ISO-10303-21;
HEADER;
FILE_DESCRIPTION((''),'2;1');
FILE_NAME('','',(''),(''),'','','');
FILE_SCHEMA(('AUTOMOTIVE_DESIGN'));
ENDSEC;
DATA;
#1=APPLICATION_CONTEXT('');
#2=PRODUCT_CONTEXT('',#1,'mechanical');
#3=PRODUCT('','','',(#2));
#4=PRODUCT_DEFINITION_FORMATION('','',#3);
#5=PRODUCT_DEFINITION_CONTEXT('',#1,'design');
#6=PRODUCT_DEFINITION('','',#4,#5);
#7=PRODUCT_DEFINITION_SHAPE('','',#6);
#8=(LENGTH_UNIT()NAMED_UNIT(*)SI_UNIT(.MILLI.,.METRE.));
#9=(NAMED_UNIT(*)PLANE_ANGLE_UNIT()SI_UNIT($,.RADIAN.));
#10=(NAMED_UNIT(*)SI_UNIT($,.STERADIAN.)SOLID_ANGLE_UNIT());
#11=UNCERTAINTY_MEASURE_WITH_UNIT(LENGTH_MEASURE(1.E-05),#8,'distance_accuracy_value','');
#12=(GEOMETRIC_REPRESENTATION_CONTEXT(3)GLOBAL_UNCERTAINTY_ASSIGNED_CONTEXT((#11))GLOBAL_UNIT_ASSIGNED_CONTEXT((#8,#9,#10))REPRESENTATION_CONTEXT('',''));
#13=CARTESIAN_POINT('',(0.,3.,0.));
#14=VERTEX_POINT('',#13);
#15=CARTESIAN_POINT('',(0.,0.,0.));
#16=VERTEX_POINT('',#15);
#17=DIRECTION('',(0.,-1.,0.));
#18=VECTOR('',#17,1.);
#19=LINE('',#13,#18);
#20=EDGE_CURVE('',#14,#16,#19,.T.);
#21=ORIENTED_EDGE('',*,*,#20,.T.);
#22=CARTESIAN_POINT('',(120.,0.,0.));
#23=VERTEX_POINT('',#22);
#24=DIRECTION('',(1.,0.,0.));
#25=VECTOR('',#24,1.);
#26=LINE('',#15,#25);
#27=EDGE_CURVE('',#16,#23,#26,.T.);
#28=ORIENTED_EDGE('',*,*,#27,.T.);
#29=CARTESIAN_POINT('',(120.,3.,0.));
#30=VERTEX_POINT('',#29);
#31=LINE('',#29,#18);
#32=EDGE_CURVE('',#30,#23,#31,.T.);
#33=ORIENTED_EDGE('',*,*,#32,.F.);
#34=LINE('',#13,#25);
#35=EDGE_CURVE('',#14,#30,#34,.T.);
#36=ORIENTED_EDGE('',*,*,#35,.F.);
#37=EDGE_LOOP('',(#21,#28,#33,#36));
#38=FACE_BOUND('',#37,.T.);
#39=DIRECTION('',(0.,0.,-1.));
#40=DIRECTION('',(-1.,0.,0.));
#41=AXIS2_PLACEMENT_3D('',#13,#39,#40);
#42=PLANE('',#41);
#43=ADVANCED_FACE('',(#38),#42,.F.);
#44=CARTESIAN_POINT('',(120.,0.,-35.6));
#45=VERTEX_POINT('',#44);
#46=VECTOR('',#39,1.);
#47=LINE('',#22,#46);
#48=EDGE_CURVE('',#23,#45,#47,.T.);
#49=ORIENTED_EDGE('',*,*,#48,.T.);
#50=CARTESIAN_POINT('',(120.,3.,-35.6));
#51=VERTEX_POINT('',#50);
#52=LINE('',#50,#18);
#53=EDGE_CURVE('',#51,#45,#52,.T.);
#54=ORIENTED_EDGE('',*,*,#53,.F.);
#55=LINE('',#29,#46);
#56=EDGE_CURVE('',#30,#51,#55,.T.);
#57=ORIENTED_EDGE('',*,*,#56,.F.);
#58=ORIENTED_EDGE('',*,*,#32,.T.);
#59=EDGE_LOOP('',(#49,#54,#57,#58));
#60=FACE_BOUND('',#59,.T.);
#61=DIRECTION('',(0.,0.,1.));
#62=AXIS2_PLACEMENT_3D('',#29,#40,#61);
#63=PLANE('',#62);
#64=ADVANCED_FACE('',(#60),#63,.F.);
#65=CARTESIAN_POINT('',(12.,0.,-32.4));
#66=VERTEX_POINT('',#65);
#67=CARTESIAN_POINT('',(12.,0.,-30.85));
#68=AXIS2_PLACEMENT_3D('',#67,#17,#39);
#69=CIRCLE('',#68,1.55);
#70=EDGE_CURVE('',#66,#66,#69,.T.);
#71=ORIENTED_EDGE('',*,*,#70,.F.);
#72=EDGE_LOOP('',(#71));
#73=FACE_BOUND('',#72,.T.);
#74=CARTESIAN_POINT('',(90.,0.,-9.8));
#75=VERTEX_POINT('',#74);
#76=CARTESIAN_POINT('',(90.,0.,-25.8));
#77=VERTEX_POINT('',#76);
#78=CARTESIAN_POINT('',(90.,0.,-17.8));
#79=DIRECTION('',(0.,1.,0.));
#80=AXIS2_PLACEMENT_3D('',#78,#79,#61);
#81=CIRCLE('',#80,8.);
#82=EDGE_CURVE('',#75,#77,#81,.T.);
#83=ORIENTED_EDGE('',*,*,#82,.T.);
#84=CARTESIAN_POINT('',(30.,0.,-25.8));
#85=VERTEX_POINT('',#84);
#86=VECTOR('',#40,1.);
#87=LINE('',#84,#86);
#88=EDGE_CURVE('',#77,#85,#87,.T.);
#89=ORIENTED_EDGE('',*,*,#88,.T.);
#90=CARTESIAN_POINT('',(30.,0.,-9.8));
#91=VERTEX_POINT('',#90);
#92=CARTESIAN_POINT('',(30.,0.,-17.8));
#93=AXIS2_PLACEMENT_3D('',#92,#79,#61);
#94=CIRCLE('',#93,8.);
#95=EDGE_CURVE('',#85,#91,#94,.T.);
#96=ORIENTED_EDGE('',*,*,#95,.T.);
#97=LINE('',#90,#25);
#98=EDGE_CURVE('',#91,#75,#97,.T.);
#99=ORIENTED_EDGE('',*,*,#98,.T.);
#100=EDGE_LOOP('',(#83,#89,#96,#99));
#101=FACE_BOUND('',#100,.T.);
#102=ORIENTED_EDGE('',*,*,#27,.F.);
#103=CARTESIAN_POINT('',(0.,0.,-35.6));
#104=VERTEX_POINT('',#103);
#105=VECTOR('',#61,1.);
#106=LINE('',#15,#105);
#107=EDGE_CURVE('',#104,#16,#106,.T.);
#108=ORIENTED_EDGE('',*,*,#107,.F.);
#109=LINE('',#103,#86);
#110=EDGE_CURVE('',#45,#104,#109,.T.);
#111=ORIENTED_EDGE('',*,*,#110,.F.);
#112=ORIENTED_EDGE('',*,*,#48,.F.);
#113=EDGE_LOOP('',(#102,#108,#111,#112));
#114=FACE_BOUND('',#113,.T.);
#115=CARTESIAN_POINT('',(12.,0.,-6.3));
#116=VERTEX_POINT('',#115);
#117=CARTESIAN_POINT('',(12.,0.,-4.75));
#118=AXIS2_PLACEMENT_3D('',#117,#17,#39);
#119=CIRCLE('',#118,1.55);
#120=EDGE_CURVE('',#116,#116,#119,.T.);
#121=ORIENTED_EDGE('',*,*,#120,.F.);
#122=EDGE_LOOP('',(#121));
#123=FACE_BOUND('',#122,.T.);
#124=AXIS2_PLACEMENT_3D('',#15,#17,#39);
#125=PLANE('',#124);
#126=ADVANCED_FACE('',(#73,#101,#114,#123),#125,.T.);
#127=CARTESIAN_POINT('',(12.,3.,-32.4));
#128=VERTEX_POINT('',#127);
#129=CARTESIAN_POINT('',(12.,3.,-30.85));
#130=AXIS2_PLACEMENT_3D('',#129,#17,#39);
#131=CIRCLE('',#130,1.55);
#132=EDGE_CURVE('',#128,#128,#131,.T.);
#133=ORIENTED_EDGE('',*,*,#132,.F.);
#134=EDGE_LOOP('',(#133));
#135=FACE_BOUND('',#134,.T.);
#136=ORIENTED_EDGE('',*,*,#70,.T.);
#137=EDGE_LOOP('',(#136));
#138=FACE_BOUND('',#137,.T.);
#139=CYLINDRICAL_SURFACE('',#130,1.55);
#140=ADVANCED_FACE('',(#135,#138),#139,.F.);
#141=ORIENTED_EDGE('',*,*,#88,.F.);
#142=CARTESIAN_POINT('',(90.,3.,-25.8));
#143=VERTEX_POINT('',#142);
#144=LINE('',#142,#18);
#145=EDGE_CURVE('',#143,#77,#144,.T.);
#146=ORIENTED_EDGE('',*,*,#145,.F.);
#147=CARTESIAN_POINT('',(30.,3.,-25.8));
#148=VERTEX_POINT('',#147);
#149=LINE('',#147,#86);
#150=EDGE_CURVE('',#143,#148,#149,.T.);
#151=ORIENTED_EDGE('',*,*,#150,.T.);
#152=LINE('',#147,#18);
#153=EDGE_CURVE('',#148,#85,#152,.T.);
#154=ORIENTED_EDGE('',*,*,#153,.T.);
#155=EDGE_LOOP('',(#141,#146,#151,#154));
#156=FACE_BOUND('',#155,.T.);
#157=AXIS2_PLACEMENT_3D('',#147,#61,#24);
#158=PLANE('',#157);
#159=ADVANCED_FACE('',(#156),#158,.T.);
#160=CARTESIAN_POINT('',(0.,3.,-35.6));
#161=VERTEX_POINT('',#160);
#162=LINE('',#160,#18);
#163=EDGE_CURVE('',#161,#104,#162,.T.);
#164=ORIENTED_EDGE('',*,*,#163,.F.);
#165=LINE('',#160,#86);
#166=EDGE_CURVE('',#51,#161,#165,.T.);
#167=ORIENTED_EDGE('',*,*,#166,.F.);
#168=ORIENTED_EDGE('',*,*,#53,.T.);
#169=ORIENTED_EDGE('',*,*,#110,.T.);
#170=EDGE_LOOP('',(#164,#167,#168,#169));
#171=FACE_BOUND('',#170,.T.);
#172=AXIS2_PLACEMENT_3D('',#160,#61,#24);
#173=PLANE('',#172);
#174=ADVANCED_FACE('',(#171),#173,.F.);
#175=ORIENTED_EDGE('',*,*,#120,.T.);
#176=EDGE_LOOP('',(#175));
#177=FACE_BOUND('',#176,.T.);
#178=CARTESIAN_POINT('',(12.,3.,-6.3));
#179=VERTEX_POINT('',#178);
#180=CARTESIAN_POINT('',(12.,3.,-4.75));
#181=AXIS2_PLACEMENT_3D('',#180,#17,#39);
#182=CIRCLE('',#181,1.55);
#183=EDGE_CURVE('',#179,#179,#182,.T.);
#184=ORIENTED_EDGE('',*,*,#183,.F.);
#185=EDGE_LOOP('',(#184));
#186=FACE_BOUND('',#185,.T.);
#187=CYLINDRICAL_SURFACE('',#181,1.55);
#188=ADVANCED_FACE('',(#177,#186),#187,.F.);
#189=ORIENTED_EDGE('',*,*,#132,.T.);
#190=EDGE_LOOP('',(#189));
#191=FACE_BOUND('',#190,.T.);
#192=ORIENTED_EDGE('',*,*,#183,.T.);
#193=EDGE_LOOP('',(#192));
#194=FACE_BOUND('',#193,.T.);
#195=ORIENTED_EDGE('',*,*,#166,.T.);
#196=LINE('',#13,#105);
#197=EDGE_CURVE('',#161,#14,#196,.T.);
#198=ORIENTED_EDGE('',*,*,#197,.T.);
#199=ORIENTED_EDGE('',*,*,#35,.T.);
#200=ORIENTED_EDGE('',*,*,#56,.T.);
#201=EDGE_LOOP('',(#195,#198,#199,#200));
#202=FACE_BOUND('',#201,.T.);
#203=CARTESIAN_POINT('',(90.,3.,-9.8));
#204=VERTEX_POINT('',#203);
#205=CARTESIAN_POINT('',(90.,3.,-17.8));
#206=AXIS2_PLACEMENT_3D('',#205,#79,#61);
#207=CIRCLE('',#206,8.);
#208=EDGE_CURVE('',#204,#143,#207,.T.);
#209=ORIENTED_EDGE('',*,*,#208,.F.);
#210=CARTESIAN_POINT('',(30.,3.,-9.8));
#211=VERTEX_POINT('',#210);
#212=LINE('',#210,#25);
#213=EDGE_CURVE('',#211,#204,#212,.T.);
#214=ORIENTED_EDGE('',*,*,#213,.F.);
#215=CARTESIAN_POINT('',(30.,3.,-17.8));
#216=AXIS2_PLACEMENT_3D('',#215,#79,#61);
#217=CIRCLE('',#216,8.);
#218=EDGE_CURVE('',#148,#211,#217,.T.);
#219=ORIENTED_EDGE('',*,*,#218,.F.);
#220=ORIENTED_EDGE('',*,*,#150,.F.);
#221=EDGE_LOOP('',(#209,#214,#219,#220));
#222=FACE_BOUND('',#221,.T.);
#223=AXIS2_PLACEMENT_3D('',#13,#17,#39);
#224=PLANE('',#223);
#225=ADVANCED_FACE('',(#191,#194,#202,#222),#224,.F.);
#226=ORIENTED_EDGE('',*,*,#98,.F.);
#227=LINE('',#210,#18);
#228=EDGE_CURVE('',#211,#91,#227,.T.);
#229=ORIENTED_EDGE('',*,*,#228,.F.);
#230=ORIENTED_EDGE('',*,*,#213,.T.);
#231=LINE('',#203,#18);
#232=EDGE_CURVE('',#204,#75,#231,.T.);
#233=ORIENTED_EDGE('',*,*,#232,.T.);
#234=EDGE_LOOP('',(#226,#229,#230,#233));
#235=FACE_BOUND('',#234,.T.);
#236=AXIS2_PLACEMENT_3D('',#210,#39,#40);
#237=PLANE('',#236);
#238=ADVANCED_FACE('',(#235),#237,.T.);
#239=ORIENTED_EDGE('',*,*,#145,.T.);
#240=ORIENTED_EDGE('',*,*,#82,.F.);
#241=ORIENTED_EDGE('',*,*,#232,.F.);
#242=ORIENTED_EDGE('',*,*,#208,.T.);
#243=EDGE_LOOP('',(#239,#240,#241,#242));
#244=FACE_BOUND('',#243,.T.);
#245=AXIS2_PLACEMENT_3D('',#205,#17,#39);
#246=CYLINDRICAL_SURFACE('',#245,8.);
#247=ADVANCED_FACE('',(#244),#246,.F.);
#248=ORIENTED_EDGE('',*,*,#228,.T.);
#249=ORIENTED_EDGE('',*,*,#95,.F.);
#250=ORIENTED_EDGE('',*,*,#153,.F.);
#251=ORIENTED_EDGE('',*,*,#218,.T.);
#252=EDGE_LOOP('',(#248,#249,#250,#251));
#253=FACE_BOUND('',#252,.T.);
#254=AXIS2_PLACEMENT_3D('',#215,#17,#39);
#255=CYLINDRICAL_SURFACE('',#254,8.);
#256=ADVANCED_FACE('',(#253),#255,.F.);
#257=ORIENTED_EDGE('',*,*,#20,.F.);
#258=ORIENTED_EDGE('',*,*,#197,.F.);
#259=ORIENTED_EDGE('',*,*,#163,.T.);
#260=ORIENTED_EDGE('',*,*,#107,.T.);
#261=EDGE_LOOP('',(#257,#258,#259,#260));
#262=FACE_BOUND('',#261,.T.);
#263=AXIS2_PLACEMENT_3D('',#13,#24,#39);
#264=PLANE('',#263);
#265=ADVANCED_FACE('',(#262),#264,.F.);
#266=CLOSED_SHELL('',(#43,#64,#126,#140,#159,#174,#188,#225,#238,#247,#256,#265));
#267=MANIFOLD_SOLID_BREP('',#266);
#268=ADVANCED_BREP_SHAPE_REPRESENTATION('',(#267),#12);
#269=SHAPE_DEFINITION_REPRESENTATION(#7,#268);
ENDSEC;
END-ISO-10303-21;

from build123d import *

# Parameters (mm, degrees)
SKETCH_1_W          = 120
SKETCH_1_H          = 35.6
EXTRUDE_1_DEPTH     = 3
SKETCH_2_R          = 1.55
CUT_EXTRUDE_1_DEPTH = 3


with BuildPart() as part:
    # 草图1 → 凸台-拉伸1 (new body)
    with BuildSketch(Plane(origin=(0, 0, 0), x_dir=(1, 0, 0), z_dir=(0, 1, 0))):
        with Locations((60, 17.8)):
            Rectangle(SKETCH_1_W, SKETCH_1_H)
        with BuildLine():
            Line((30, 25.8), (90, 25.8))
            ThreePointArc((90, 25.8), (98, 17.8), (90, 9.8))
            Line((90, 9.8), (30, 9.8))
            ThreePointArc((30, 9.8), (22, 17.8), (30, 25.8))
        make_face(mode=Mode.SUBTRACT)
    extrude(amount=EXTRUDE_1_DEPTH)

    # 草图2 → 切除-拉伸1 (cut)
    with BuildSketch(Plane.XZ):
        with Locations((138, -4.75)):
            Circle(SKETCH_2_R)
        with Locations((138, -30.85)):
            Circle(SKETCH_2_R)
        with Locations(Location((12, -30.85, 0), (0, 0, 270))):
            Circle(SKETCH_2_R)
        with Locations(Location((12, -4.75, 0), (0, 0, 270))):
            Circle(SKETCH_2_R)
    extrude(amount=-CUT_EXTRUDE_1_DEPTH, mode=Mode.SUBTRACT)


solid = part.part
